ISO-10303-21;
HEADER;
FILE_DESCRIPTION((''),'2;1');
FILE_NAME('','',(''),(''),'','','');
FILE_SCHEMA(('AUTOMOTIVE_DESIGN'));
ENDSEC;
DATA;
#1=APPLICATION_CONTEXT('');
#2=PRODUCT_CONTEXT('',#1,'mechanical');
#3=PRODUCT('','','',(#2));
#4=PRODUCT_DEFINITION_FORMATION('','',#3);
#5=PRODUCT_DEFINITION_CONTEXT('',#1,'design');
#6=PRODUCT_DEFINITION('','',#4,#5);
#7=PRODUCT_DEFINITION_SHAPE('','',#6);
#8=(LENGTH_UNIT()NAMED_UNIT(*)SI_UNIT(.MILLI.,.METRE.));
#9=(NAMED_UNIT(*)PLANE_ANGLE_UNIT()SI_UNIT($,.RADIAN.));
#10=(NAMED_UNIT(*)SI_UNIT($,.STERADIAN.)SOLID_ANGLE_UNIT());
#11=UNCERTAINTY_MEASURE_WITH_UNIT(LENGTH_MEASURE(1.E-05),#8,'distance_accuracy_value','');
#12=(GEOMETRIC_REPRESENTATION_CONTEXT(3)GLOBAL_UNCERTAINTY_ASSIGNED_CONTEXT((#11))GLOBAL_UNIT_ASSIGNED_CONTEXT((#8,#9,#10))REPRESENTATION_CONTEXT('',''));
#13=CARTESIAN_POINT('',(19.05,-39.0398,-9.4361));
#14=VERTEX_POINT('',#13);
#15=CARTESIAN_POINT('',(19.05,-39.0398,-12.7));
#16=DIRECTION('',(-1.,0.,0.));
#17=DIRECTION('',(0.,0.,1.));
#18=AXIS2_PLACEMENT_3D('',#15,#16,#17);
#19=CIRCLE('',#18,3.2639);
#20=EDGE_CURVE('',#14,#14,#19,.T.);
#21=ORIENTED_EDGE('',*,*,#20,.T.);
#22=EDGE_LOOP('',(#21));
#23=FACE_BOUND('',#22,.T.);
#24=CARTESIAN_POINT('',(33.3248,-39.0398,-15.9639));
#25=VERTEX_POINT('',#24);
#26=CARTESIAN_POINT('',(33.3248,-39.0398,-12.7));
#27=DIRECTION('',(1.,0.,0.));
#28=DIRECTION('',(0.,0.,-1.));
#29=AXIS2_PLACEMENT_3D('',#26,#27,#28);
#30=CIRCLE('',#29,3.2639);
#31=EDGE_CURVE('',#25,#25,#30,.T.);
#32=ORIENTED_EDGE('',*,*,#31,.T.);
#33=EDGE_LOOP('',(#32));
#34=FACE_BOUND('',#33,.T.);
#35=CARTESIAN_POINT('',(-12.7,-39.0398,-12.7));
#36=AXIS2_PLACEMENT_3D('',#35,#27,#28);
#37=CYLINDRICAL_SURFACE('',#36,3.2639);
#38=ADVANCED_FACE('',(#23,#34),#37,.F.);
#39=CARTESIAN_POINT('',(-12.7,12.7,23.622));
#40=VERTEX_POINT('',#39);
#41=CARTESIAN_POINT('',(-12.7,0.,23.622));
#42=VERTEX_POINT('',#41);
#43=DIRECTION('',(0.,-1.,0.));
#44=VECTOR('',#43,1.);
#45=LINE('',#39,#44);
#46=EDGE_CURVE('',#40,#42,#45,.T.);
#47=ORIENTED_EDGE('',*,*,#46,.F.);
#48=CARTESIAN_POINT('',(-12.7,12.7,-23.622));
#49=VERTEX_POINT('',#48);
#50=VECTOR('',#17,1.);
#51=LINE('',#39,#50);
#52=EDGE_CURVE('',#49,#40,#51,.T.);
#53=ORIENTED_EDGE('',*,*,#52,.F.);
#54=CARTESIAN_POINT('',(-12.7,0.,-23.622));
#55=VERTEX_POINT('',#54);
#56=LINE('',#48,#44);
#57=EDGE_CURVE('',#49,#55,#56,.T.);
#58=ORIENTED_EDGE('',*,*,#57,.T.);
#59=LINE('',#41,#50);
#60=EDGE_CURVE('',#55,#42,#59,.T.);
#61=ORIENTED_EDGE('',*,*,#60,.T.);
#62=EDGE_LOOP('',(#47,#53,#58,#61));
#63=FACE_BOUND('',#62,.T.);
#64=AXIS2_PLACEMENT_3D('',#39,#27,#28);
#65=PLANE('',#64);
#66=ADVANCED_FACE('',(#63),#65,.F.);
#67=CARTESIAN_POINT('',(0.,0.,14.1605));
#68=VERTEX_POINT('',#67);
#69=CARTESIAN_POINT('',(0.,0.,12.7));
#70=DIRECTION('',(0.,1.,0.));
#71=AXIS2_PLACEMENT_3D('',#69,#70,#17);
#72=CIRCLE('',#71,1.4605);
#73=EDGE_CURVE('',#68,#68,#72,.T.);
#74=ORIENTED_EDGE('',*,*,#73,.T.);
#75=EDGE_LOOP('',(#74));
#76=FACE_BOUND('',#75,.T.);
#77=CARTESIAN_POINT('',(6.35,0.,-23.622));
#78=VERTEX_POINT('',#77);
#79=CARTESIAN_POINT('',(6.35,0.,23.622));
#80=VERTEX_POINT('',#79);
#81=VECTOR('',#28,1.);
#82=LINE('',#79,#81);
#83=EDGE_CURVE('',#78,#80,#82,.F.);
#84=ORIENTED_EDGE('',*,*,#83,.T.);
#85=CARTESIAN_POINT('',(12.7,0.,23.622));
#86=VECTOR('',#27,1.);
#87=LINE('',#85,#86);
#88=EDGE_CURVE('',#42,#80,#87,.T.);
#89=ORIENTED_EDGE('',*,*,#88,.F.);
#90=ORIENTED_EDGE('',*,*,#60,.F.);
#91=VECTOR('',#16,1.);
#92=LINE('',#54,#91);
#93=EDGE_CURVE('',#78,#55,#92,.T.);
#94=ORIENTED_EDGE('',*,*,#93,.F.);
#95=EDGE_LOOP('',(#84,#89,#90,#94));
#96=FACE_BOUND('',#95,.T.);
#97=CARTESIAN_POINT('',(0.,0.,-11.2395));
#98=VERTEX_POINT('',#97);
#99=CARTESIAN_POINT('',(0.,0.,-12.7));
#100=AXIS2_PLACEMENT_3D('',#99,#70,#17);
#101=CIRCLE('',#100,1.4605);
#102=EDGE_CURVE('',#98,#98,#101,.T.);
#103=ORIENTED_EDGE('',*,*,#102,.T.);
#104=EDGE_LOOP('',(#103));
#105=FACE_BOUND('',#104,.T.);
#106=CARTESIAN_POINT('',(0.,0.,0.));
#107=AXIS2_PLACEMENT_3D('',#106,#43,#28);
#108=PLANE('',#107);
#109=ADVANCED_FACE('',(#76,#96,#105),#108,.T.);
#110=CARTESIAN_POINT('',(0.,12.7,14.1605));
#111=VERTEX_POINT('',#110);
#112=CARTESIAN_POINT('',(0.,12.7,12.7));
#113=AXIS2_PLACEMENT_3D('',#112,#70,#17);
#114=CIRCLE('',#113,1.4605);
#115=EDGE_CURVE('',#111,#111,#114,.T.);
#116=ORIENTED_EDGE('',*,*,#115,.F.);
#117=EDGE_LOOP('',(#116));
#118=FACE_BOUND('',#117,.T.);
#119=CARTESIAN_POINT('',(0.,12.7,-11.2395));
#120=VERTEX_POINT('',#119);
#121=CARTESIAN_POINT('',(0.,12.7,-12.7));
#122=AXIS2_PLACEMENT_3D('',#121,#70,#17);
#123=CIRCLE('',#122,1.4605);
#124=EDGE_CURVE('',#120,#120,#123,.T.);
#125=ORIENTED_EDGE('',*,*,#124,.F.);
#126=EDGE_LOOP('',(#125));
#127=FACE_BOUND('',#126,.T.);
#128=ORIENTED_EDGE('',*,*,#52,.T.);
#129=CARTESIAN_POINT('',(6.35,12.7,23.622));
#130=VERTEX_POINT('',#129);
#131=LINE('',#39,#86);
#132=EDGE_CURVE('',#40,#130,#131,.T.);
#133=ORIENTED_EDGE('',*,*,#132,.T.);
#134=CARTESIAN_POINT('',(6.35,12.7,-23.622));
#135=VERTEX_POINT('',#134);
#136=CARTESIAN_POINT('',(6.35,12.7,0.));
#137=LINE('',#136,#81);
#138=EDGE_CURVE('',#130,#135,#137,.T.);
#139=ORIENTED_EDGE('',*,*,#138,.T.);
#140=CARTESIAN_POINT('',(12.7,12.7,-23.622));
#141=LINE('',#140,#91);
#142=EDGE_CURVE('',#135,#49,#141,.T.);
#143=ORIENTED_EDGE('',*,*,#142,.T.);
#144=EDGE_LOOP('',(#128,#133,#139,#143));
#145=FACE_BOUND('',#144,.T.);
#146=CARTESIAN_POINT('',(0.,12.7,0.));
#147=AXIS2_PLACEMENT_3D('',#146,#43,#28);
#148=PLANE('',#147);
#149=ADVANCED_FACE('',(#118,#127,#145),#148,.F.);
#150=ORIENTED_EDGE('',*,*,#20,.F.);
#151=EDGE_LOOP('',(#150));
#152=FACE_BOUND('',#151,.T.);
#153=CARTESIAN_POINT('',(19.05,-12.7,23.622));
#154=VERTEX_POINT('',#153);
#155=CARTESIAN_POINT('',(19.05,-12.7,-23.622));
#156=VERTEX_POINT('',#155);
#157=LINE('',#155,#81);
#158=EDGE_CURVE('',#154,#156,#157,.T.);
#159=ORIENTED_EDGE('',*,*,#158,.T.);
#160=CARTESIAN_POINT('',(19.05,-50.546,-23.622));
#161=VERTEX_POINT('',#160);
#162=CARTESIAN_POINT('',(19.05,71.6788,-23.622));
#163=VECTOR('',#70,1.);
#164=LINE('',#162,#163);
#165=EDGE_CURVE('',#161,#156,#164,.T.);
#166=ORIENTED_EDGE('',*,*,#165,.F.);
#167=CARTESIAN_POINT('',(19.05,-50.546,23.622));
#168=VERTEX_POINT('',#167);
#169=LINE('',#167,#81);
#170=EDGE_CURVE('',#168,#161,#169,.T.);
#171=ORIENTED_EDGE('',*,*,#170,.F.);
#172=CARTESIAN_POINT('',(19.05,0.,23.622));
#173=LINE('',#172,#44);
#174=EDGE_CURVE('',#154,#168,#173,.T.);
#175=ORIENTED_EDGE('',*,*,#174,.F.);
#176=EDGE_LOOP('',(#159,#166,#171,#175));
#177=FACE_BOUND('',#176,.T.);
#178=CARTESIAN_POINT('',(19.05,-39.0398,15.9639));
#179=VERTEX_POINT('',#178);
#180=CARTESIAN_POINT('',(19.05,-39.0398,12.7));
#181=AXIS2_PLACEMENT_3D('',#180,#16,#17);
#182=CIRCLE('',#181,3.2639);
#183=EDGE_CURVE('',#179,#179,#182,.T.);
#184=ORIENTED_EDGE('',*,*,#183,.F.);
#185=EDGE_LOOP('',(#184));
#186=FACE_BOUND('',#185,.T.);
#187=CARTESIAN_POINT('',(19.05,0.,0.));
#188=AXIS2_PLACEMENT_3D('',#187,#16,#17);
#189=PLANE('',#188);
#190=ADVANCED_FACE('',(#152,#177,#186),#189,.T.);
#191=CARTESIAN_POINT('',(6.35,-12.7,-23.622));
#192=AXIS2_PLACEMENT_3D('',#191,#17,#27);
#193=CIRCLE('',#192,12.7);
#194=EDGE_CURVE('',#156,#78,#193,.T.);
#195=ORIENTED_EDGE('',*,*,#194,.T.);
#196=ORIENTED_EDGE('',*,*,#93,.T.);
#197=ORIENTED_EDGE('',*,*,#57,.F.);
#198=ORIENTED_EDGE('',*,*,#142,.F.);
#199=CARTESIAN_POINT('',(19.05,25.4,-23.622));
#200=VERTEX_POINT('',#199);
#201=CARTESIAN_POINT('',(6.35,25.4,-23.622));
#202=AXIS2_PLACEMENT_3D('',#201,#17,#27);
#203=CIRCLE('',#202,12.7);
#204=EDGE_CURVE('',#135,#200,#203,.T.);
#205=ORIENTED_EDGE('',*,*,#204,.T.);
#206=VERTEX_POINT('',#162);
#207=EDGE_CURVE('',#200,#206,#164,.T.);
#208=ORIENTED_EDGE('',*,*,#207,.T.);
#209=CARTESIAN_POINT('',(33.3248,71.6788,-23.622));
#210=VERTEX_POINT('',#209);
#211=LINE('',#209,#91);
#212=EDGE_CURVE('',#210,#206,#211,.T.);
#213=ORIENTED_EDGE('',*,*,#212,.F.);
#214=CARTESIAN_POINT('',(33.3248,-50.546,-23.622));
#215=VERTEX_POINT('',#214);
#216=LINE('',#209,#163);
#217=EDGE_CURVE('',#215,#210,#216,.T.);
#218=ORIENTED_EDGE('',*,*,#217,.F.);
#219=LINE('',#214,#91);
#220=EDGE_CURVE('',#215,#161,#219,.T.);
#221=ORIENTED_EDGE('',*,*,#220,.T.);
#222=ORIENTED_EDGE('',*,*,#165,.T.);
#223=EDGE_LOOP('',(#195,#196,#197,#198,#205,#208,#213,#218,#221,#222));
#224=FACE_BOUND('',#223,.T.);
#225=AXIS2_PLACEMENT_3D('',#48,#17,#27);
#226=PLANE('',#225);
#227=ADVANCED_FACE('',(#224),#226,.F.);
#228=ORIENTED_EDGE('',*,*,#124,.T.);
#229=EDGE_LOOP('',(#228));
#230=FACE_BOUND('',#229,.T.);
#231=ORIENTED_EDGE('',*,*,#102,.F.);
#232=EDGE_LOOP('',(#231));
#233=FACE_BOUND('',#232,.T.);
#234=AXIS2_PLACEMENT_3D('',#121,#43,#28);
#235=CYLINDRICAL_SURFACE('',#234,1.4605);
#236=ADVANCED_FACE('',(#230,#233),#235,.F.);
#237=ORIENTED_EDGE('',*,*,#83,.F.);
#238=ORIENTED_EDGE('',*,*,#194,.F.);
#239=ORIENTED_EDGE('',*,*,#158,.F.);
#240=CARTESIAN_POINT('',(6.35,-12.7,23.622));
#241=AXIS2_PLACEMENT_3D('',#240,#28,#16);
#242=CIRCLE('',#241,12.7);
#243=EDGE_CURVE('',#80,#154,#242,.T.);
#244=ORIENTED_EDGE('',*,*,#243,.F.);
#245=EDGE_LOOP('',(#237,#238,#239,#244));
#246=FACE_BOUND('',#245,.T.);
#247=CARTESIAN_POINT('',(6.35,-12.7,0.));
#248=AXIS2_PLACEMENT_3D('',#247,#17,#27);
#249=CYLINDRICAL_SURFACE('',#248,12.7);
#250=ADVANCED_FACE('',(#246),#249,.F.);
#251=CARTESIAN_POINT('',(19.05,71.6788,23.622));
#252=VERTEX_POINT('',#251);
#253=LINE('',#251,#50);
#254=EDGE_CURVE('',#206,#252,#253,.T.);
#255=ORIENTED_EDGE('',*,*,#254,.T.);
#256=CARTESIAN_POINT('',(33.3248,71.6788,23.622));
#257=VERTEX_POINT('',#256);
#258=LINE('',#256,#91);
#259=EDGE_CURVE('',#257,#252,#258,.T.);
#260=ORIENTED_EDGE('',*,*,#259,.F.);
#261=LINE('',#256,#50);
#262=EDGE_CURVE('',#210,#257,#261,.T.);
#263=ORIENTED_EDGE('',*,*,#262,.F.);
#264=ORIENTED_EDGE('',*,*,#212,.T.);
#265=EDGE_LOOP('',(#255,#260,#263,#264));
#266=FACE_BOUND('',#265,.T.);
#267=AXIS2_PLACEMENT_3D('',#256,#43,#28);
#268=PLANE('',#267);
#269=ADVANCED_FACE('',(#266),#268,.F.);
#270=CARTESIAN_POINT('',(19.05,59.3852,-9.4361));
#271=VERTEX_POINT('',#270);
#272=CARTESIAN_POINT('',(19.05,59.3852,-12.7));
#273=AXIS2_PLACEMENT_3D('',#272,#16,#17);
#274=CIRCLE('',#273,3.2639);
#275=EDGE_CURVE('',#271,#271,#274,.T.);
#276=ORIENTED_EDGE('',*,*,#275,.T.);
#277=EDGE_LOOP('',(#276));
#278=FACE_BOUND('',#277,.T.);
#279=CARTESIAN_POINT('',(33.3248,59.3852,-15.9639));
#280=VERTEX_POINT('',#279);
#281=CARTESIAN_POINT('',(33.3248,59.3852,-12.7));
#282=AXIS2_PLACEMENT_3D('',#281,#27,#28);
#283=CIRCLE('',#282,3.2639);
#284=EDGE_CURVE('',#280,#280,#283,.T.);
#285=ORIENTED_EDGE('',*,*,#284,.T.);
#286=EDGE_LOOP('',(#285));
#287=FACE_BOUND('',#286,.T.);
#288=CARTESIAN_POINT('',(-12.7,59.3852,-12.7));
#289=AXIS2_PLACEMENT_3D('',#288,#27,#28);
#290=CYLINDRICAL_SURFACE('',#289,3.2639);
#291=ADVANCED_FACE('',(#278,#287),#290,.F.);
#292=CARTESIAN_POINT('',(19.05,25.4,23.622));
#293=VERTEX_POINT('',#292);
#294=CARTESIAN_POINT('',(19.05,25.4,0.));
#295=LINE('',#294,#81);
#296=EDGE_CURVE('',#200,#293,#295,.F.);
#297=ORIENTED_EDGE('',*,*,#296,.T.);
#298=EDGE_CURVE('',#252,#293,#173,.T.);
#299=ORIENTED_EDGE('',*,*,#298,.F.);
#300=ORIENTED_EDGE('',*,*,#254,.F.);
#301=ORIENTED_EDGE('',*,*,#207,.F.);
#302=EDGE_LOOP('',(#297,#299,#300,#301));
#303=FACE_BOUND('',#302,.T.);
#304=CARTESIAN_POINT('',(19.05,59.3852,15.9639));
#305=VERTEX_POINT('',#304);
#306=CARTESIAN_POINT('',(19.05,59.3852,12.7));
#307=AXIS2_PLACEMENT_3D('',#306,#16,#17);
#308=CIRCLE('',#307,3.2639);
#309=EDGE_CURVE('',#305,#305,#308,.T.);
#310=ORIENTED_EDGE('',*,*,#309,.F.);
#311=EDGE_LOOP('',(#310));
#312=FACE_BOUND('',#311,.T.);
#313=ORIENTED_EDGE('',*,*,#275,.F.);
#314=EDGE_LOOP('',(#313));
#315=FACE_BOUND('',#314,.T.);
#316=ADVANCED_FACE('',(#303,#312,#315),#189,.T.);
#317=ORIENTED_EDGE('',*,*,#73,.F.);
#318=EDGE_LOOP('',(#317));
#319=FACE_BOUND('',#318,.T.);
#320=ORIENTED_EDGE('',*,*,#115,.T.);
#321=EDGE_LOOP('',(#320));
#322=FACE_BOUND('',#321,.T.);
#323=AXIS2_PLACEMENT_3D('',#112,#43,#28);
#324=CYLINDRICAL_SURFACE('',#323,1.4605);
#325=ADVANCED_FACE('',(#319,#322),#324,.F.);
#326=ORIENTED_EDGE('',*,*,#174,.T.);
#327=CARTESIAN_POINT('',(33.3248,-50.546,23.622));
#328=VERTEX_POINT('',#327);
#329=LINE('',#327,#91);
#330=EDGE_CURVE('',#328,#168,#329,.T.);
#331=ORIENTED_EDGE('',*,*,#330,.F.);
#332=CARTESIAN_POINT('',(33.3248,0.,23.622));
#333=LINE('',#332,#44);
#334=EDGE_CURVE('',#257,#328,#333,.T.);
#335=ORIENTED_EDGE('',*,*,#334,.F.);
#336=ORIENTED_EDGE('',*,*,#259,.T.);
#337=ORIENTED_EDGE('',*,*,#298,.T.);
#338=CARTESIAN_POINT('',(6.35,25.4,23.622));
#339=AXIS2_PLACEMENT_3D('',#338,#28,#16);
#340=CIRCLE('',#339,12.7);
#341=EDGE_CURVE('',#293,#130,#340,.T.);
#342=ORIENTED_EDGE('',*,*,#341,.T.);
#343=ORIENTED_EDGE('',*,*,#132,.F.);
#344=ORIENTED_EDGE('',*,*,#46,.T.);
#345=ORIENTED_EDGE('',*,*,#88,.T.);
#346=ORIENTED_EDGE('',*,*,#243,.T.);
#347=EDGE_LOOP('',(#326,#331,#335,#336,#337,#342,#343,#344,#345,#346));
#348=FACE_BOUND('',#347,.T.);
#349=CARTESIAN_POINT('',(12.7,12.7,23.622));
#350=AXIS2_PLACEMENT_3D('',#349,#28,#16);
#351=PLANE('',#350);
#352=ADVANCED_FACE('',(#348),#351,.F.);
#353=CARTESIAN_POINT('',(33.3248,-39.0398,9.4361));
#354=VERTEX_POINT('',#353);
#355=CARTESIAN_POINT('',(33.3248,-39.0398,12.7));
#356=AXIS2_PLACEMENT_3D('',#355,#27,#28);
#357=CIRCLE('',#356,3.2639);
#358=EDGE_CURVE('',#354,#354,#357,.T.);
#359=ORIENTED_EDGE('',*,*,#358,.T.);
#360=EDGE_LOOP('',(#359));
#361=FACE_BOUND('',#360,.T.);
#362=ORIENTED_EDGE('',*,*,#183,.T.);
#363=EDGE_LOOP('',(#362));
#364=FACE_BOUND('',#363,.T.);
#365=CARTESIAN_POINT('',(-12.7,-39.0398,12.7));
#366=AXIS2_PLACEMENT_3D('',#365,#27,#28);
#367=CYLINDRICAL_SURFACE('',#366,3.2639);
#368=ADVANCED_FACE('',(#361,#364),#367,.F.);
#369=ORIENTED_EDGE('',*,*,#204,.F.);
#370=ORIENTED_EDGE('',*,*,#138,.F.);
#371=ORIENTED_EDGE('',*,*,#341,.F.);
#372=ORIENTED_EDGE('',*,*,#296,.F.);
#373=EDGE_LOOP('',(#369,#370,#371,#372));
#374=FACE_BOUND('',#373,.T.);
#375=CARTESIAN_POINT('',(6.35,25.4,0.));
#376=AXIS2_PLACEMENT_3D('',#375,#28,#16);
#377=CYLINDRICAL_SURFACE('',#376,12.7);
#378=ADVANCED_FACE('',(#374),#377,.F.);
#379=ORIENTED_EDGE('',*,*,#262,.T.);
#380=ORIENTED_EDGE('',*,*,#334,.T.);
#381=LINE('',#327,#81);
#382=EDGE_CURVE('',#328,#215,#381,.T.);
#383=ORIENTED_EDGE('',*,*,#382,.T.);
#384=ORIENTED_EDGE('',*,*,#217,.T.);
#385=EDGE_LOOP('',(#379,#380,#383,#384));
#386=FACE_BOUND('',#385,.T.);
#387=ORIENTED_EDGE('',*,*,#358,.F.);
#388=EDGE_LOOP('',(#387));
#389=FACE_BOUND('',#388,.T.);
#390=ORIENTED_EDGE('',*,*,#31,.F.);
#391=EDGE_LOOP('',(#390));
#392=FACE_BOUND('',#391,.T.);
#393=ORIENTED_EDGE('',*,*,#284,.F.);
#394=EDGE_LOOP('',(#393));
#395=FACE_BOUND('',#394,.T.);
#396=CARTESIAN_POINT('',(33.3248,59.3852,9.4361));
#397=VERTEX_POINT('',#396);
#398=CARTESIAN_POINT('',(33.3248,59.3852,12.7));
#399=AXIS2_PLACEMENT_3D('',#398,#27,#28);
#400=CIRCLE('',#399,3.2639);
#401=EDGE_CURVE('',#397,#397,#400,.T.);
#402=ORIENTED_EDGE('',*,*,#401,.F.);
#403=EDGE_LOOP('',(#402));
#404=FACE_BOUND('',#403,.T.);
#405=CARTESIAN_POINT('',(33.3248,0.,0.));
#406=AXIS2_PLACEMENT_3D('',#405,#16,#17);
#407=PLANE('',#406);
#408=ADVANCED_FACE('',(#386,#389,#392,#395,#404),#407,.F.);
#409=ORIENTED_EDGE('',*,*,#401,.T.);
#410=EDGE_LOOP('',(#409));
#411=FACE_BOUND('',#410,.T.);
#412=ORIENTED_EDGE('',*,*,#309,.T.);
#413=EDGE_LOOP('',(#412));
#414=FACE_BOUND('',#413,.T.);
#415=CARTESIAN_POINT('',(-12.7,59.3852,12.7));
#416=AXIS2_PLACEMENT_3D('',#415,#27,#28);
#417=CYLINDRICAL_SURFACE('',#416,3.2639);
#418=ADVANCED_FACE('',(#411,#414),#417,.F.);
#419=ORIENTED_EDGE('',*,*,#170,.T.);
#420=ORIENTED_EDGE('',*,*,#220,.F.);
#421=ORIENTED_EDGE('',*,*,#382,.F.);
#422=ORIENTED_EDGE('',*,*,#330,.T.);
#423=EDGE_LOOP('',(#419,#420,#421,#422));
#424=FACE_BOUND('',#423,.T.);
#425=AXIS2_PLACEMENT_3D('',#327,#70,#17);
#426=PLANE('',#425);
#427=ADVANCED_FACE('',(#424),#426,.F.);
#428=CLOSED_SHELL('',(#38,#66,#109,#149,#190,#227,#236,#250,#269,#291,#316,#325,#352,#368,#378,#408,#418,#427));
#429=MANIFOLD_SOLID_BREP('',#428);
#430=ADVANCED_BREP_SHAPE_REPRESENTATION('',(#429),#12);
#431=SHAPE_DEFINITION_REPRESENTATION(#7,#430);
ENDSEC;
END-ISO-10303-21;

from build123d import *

# Parameters (mm, degrees)
SKETCH1_R           = 1.4605
BOSS_EXTRUDE1_DEPTH = 12.7
BOSS_EXTRUDE2_DEPTH = 14.2748
FILLET1_R           = 12.7
SKETCH3_R           = 3.2639
CUT_EXTRUDE1_DEPTH  = 89.397576146


with BuildPart() as part:
    # Sketch1 → Boss-Extrude1 (new body)
    with BuildSketch(Plane(origin=(0, 0, 0), x_dir=(1, 0, 0), z_dir=(0, 1, 0))):
        Polygon((-12.7, -23.622), (12.7, -23.622), (19.05, -23.622), (19.05, 23.622), (12.7, 23.622), (-12.7, 23.622), align=None)
        with Locations(Location((0, 12.7, 0), (0, 0, 270))):
            Circle(SKETCH1_R, mode=Mode.SUBTRACT)
        with Locations(Location((0, -12.7, 0), (0, 0, 270))):
            Circle(SKETCH1_R, mode=Mode.SUBTRACT)
    extrude(amount=BOSS_EXTRUDE1_DEPTH)

    # Sketch2 → Boss-Extrude2 (add)
    with BuildSketch(Plane(origin=(19.05, 0, 0), x_dir=(0, 0, -1), z_dir=(1, 0, 0))):
        Polygon((-23.622, 0), (-23.622, -50.546), (23.622, -50.546), (23.622, 71.6788), (-23.622, 71.6788), align=None)
    extrude(amount=BOSS_EXTRUDE2_DEPTH)

    # Fillet1
    fillet1_edges = [part.edges().sort_by_distance(p)[0] for p in [
        (19.05, 12.7, 0),
        (19.05, 0, 0),
    ]]
    fillet(fillet1_edges, radius=FILLET1_R)

    # Sketch3 → Cut-Extrude1 (cut, through all)
    with BuildSketch(Plane(origin=(33.3248, 0, 0), x_dir=(0, 0, -1), z_dir=(1, 0, 0))):
        with Locations((-12.7, -39.0398)):
            Circle(SKETCH3_R)
        with Locations((12.7, -39.0398)):
            Circle(SKETCH3_R)
        with Locations((-12.7, 59.3852)):
            Circle(SKETCH3_R)
        with Locations((12.7, 59.3852)):
            Circle(SKETCH3_R)
    extrude(amount=-CUT_EXTRUDE1_DEPTH, mode=Mode.SUBTRACT)


solid = part.part
